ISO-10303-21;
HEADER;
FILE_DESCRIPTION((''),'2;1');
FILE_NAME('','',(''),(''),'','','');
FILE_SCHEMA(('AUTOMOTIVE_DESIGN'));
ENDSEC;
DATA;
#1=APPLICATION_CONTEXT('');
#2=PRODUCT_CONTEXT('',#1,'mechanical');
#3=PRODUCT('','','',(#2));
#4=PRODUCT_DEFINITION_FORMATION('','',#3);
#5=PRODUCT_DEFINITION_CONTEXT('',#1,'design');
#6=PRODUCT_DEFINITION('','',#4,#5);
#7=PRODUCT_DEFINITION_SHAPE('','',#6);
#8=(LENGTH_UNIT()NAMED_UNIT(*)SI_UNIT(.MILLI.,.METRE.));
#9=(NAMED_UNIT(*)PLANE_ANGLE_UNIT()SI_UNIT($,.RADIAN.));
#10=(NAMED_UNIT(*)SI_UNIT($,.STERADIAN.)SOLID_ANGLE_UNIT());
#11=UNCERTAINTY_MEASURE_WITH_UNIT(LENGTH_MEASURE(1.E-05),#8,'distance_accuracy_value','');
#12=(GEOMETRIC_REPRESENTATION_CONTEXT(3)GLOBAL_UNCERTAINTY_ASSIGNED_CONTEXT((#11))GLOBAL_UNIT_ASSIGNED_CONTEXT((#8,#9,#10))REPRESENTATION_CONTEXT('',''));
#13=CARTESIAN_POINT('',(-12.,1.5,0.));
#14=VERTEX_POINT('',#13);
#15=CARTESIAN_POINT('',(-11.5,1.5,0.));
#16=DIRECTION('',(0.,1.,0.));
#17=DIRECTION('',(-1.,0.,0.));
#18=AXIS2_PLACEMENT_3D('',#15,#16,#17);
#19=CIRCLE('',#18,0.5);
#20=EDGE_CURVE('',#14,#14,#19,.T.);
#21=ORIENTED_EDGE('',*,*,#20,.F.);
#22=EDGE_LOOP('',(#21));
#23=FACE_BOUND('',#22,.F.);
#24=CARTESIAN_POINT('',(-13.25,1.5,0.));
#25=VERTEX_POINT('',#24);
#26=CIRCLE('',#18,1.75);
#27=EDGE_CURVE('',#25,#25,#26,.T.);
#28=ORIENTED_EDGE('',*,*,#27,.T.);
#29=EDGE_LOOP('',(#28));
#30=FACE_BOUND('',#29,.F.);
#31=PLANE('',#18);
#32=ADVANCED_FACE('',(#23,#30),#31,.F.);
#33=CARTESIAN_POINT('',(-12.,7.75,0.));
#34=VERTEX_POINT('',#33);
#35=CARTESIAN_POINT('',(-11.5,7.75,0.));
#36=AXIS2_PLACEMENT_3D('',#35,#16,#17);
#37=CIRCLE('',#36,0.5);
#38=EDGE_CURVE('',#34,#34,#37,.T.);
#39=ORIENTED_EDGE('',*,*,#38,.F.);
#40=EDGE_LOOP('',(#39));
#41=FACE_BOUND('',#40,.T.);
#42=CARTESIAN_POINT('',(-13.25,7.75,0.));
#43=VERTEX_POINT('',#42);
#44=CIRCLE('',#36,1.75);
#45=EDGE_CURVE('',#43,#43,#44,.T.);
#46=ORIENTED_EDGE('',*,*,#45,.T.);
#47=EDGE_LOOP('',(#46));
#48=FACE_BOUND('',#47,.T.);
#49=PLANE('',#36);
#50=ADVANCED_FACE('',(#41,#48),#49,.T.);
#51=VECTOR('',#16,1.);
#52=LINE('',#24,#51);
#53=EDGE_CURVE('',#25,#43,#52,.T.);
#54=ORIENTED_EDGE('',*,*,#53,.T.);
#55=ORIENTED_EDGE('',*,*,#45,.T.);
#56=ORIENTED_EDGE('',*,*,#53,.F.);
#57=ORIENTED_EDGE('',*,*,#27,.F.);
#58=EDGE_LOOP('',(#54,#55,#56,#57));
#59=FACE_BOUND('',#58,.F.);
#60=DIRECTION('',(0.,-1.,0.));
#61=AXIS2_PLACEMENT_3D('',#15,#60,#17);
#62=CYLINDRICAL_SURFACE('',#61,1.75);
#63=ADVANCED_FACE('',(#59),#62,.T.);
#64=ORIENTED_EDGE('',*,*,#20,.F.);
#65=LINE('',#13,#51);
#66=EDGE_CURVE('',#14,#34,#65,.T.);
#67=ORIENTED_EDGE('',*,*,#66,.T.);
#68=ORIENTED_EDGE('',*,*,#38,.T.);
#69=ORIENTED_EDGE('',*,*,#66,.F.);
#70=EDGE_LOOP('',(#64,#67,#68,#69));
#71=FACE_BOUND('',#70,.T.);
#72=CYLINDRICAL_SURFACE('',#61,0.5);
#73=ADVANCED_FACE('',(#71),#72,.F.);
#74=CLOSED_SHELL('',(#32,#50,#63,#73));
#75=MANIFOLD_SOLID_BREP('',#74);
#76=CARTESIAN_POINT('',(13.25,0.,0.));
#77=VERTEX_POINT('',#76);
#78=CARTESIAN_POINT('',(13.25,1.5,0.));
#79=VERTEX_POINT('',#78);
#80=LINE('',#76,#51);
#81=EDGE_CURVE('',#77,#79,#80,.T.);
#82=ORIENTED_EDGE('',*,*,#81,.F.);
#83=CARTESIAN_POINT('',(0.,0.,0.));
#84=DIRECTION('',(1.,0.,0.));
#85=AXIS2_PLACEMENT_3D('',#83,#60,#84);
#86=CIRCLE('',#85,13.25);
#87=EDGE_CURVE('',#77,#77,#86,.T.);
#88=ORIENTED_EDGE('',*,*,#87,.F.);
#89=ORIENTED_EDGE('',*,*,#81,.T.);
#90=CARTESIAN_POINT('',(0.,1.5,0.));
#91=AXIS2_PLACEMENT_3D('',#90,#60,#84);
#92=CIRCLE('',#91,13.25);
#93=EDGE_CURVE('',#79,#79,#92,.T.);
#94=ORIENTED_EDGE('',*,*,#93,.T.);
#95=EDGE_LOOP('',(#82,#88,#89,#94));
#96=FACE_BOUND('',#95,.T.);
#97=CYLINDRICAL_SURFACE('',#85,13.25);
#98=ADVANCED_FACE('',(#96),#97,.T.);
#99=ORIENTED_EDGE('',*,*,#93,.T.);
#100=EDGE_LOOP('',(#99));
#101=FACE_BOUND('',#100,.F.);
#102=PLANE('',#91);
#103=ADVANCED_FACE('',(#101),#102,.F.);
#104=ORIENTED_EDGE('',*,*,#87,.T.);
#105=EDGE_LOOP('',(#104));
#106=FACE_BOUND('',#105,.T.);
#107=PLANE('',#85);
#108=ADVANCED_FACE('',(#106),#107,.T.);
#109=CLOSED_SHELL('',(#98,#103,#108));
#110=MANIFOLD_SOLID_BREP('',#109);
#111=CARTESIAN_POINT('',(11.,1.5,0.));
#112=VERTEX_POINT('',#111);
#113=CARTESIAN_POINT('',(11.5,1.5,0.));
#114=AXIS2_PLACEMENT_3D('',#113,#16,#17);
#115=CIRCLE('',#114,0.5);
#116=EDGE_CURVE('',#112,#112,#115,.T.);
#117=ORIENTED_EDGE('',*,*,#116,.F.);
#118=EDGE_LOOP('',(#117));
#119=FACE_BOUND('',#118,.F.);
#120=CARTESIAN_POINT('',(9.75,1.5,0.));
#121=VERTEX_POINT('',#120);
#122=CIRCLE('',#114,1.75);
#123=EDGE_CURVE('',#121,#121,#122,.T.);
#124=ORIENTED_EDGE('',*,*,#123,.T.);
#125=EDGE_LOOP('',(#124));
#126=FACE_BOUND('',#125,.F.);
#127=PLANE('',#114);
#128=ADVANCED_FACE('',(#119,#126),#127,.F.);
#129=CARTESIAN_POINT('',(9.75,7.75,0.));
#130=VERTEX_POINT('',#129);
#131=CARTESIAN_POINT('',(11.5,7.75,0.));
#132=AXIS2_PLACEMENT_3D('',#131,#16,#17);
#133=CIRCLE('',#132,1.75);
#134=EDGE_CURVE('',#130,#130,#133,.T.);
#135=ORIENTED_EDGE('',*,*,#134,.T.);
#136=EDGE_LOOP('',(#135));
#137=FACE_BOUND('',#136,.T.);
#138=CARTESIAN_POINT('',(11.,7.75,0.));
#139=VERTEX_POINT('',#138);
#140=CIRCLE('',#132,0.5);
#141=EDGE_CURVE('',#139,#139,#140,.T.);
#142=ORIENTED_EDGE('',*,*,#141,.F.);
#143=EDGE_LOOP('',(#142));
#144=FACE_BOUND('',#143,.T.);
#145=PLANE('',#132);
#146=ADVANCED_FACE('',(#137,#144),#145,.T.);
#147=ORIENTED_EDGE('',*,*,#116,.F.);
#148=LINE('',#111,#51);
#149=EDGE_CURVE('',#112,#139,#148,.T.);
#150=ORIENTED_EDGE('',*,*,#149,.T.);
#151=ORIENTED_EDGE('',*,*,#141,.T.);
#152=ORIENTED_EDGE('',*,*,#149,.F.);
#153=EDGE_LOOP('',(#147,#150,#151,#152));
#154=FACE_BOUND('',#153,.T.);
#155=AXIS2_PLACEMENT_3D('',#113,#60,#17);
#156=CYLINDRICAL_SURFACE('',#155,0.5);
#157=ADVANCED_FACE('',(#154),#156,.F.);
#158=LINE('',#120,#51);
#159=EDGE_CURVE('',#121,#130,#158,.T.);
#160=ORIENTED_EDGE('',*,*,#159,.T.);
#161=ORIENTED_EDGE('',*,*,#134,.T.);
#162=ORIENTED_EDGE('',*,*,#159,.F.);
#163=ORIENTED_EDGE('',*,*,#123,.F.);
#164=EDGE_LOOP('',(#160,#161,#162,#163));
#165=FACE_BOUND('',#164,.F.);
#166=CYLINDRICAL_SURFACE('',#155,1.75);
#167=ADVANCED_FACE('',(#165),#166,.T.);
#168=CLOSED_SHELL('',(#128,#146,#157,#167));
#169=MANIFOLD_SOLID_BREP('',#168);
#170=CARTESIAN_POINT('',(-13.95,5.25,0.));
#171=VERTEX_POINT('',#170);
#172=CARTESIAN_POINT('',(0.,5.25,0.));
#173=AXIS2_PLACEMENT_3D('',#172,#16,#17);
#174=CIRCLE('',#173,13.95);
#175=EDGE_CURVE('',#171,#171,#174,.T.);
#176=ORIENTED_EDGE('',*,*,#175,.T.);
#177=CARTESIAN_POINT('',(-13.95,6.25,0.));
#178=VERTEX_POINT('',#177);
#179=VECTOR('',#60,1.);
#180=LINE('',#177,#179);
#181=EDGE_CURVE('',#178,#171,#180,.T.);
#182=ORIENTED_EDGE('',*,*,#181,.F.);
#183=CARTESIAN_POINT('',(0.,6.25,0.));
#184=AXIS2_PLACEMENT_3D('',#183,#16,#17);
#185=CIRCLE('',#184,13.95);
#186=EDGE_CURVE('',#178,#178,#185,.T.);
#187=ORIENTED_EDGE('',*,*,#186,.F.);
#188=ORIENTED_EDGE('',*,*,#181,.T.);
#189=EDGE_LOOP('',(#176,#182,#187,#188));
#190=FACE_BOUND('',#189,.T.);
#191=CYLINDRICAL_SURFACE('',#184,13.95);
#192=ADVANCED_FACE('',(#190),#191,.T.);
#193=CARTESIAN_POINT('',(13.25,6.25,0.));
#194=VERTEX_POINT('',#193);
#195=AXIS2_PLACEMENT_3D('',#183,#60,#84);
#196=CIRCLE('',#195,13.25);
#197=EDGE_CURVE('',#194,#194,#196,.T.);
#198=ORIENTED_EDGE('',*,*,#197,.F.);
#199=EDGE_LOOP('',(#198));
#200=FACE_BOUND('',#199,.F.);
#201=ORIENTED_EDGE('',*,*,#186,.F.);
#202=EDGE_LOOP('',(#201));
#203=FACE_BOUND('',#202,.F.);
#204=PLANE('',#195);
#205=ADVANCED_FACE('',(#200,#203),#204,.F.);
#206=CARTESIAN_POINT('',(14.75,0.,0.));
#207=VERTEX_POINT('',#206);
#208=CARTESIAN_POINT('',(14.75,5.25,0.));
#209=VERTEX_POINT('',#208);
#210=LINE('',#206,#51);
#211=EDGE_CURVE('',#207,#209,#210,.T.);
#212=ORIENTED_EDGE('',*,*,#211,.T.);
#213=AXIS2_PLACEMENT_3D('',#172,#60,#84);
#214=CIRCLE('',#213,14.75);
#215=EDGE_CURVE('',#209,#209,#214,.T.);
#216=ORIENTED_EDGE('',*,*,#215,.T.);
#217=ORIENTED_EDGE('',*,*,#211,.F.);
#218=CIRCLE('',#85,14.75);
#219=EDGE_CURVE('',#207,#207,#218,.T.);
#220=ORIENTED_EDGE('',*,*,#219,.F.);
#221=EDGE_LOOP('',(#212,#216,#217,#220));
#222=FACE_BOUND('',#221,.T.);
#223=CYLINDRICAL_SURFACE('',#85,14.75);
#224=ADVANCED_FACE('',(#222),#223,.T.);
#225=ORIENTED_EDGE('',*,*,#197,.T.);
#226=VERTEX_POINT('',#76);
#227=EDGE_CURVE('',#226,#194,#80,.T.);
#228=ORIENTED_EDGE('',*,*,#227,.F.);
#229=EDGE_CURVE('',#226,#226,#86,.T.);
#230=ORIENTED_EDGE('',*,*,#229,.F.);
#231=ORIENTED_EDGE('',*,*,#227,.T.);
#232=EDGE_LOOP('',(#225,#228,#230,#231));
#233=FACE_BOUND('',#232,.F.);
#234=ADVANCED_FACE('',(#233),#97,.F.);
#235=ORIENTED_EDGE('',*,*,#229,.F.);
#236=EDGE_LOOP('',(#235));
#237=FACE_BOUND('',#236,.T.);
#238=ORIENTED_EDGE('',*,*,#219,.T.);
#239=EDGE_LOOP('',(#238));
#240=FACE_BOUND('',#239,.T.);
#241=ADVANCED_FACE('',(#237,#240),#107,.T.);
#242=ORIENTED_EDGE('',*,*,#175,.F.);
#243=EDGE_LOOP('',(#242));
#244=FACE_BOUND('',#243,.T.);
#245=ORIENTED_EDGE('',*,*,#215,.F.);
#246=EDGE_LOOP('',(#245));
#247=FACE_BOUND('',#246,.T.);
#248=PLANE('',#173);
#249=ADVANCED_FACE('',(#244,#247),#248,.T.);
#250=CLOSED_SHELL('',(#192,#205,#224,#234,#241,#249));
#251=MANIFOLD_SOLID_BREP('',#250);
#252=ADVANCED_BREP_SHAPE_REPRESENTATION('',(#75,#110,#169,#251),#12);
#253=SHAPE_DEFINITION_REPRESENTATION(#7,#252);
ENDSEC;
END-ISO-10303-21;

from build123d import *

# Parameters (mm, degrees)
F0_R     = 14.75
F0_R_2   = 13.25
F1_DEPTH = 6.25
F2_DEPTH = 1.5
F3_R     = 14.75
F3_R_2   = 13.95
F4_DEPTH = 1
F5_R     = 1.75
F5_R_2   = 0.5
F6_DEPTH = 6.25


with BuildPart() as f1:
    # F0 (on Front) → F1 (new body)
    with BuildSketch(Plane.XZ):
        Circle(F0_R)
        Circle(F0_R_2, mode=Mode.SUBTRACT)
    extrude(amount=-F1_DEPTH)

    # F3 (on face) → F4 (cut)
    with BuildSketch(Plane(origin=(0, 6.25, 0), x_dir=(-1, 0, 0), z_dir=(0, 1, 0))):
        Circle(F3_R)
        Circle(F3_R_2, mode=Mode.SUBTRACT)
    extrude(amount=-F4_DEPTH, mode=Mode.SUBTRACT)


with BuildPart() as f2:
    # F0 (on Front) → F2 (new body)
    with BuildSketch(Plane.XZ):
        Circle(F0_R_2)
    extrude(amount=-F2_DEPTH)


with BuildPart() as f6:
    # F5 (on face) → F6 (new body)
    with BuildSketch(Plane(origin=(0, 1.5, 0), x_dir=(-1, 0, 0), z_dir=(0, 1, 0))):
        with Locations((-11.5, 0)):
            Circle(F5_R)
        with Locations((-11.5, 0)):
            Circle(F5_R_2, mode=Mode.SUBTRACT)
        with Locations((11.5, 0)):
            Circle(F5_R)
        with Locations((11.5, 0)):
            Circle(F5_R_2, mode=Mode.SUBTRACT)
    extrude(amount=F6_DEPTH)


solid = Compound([f1.part, f2.part, f6.part])
